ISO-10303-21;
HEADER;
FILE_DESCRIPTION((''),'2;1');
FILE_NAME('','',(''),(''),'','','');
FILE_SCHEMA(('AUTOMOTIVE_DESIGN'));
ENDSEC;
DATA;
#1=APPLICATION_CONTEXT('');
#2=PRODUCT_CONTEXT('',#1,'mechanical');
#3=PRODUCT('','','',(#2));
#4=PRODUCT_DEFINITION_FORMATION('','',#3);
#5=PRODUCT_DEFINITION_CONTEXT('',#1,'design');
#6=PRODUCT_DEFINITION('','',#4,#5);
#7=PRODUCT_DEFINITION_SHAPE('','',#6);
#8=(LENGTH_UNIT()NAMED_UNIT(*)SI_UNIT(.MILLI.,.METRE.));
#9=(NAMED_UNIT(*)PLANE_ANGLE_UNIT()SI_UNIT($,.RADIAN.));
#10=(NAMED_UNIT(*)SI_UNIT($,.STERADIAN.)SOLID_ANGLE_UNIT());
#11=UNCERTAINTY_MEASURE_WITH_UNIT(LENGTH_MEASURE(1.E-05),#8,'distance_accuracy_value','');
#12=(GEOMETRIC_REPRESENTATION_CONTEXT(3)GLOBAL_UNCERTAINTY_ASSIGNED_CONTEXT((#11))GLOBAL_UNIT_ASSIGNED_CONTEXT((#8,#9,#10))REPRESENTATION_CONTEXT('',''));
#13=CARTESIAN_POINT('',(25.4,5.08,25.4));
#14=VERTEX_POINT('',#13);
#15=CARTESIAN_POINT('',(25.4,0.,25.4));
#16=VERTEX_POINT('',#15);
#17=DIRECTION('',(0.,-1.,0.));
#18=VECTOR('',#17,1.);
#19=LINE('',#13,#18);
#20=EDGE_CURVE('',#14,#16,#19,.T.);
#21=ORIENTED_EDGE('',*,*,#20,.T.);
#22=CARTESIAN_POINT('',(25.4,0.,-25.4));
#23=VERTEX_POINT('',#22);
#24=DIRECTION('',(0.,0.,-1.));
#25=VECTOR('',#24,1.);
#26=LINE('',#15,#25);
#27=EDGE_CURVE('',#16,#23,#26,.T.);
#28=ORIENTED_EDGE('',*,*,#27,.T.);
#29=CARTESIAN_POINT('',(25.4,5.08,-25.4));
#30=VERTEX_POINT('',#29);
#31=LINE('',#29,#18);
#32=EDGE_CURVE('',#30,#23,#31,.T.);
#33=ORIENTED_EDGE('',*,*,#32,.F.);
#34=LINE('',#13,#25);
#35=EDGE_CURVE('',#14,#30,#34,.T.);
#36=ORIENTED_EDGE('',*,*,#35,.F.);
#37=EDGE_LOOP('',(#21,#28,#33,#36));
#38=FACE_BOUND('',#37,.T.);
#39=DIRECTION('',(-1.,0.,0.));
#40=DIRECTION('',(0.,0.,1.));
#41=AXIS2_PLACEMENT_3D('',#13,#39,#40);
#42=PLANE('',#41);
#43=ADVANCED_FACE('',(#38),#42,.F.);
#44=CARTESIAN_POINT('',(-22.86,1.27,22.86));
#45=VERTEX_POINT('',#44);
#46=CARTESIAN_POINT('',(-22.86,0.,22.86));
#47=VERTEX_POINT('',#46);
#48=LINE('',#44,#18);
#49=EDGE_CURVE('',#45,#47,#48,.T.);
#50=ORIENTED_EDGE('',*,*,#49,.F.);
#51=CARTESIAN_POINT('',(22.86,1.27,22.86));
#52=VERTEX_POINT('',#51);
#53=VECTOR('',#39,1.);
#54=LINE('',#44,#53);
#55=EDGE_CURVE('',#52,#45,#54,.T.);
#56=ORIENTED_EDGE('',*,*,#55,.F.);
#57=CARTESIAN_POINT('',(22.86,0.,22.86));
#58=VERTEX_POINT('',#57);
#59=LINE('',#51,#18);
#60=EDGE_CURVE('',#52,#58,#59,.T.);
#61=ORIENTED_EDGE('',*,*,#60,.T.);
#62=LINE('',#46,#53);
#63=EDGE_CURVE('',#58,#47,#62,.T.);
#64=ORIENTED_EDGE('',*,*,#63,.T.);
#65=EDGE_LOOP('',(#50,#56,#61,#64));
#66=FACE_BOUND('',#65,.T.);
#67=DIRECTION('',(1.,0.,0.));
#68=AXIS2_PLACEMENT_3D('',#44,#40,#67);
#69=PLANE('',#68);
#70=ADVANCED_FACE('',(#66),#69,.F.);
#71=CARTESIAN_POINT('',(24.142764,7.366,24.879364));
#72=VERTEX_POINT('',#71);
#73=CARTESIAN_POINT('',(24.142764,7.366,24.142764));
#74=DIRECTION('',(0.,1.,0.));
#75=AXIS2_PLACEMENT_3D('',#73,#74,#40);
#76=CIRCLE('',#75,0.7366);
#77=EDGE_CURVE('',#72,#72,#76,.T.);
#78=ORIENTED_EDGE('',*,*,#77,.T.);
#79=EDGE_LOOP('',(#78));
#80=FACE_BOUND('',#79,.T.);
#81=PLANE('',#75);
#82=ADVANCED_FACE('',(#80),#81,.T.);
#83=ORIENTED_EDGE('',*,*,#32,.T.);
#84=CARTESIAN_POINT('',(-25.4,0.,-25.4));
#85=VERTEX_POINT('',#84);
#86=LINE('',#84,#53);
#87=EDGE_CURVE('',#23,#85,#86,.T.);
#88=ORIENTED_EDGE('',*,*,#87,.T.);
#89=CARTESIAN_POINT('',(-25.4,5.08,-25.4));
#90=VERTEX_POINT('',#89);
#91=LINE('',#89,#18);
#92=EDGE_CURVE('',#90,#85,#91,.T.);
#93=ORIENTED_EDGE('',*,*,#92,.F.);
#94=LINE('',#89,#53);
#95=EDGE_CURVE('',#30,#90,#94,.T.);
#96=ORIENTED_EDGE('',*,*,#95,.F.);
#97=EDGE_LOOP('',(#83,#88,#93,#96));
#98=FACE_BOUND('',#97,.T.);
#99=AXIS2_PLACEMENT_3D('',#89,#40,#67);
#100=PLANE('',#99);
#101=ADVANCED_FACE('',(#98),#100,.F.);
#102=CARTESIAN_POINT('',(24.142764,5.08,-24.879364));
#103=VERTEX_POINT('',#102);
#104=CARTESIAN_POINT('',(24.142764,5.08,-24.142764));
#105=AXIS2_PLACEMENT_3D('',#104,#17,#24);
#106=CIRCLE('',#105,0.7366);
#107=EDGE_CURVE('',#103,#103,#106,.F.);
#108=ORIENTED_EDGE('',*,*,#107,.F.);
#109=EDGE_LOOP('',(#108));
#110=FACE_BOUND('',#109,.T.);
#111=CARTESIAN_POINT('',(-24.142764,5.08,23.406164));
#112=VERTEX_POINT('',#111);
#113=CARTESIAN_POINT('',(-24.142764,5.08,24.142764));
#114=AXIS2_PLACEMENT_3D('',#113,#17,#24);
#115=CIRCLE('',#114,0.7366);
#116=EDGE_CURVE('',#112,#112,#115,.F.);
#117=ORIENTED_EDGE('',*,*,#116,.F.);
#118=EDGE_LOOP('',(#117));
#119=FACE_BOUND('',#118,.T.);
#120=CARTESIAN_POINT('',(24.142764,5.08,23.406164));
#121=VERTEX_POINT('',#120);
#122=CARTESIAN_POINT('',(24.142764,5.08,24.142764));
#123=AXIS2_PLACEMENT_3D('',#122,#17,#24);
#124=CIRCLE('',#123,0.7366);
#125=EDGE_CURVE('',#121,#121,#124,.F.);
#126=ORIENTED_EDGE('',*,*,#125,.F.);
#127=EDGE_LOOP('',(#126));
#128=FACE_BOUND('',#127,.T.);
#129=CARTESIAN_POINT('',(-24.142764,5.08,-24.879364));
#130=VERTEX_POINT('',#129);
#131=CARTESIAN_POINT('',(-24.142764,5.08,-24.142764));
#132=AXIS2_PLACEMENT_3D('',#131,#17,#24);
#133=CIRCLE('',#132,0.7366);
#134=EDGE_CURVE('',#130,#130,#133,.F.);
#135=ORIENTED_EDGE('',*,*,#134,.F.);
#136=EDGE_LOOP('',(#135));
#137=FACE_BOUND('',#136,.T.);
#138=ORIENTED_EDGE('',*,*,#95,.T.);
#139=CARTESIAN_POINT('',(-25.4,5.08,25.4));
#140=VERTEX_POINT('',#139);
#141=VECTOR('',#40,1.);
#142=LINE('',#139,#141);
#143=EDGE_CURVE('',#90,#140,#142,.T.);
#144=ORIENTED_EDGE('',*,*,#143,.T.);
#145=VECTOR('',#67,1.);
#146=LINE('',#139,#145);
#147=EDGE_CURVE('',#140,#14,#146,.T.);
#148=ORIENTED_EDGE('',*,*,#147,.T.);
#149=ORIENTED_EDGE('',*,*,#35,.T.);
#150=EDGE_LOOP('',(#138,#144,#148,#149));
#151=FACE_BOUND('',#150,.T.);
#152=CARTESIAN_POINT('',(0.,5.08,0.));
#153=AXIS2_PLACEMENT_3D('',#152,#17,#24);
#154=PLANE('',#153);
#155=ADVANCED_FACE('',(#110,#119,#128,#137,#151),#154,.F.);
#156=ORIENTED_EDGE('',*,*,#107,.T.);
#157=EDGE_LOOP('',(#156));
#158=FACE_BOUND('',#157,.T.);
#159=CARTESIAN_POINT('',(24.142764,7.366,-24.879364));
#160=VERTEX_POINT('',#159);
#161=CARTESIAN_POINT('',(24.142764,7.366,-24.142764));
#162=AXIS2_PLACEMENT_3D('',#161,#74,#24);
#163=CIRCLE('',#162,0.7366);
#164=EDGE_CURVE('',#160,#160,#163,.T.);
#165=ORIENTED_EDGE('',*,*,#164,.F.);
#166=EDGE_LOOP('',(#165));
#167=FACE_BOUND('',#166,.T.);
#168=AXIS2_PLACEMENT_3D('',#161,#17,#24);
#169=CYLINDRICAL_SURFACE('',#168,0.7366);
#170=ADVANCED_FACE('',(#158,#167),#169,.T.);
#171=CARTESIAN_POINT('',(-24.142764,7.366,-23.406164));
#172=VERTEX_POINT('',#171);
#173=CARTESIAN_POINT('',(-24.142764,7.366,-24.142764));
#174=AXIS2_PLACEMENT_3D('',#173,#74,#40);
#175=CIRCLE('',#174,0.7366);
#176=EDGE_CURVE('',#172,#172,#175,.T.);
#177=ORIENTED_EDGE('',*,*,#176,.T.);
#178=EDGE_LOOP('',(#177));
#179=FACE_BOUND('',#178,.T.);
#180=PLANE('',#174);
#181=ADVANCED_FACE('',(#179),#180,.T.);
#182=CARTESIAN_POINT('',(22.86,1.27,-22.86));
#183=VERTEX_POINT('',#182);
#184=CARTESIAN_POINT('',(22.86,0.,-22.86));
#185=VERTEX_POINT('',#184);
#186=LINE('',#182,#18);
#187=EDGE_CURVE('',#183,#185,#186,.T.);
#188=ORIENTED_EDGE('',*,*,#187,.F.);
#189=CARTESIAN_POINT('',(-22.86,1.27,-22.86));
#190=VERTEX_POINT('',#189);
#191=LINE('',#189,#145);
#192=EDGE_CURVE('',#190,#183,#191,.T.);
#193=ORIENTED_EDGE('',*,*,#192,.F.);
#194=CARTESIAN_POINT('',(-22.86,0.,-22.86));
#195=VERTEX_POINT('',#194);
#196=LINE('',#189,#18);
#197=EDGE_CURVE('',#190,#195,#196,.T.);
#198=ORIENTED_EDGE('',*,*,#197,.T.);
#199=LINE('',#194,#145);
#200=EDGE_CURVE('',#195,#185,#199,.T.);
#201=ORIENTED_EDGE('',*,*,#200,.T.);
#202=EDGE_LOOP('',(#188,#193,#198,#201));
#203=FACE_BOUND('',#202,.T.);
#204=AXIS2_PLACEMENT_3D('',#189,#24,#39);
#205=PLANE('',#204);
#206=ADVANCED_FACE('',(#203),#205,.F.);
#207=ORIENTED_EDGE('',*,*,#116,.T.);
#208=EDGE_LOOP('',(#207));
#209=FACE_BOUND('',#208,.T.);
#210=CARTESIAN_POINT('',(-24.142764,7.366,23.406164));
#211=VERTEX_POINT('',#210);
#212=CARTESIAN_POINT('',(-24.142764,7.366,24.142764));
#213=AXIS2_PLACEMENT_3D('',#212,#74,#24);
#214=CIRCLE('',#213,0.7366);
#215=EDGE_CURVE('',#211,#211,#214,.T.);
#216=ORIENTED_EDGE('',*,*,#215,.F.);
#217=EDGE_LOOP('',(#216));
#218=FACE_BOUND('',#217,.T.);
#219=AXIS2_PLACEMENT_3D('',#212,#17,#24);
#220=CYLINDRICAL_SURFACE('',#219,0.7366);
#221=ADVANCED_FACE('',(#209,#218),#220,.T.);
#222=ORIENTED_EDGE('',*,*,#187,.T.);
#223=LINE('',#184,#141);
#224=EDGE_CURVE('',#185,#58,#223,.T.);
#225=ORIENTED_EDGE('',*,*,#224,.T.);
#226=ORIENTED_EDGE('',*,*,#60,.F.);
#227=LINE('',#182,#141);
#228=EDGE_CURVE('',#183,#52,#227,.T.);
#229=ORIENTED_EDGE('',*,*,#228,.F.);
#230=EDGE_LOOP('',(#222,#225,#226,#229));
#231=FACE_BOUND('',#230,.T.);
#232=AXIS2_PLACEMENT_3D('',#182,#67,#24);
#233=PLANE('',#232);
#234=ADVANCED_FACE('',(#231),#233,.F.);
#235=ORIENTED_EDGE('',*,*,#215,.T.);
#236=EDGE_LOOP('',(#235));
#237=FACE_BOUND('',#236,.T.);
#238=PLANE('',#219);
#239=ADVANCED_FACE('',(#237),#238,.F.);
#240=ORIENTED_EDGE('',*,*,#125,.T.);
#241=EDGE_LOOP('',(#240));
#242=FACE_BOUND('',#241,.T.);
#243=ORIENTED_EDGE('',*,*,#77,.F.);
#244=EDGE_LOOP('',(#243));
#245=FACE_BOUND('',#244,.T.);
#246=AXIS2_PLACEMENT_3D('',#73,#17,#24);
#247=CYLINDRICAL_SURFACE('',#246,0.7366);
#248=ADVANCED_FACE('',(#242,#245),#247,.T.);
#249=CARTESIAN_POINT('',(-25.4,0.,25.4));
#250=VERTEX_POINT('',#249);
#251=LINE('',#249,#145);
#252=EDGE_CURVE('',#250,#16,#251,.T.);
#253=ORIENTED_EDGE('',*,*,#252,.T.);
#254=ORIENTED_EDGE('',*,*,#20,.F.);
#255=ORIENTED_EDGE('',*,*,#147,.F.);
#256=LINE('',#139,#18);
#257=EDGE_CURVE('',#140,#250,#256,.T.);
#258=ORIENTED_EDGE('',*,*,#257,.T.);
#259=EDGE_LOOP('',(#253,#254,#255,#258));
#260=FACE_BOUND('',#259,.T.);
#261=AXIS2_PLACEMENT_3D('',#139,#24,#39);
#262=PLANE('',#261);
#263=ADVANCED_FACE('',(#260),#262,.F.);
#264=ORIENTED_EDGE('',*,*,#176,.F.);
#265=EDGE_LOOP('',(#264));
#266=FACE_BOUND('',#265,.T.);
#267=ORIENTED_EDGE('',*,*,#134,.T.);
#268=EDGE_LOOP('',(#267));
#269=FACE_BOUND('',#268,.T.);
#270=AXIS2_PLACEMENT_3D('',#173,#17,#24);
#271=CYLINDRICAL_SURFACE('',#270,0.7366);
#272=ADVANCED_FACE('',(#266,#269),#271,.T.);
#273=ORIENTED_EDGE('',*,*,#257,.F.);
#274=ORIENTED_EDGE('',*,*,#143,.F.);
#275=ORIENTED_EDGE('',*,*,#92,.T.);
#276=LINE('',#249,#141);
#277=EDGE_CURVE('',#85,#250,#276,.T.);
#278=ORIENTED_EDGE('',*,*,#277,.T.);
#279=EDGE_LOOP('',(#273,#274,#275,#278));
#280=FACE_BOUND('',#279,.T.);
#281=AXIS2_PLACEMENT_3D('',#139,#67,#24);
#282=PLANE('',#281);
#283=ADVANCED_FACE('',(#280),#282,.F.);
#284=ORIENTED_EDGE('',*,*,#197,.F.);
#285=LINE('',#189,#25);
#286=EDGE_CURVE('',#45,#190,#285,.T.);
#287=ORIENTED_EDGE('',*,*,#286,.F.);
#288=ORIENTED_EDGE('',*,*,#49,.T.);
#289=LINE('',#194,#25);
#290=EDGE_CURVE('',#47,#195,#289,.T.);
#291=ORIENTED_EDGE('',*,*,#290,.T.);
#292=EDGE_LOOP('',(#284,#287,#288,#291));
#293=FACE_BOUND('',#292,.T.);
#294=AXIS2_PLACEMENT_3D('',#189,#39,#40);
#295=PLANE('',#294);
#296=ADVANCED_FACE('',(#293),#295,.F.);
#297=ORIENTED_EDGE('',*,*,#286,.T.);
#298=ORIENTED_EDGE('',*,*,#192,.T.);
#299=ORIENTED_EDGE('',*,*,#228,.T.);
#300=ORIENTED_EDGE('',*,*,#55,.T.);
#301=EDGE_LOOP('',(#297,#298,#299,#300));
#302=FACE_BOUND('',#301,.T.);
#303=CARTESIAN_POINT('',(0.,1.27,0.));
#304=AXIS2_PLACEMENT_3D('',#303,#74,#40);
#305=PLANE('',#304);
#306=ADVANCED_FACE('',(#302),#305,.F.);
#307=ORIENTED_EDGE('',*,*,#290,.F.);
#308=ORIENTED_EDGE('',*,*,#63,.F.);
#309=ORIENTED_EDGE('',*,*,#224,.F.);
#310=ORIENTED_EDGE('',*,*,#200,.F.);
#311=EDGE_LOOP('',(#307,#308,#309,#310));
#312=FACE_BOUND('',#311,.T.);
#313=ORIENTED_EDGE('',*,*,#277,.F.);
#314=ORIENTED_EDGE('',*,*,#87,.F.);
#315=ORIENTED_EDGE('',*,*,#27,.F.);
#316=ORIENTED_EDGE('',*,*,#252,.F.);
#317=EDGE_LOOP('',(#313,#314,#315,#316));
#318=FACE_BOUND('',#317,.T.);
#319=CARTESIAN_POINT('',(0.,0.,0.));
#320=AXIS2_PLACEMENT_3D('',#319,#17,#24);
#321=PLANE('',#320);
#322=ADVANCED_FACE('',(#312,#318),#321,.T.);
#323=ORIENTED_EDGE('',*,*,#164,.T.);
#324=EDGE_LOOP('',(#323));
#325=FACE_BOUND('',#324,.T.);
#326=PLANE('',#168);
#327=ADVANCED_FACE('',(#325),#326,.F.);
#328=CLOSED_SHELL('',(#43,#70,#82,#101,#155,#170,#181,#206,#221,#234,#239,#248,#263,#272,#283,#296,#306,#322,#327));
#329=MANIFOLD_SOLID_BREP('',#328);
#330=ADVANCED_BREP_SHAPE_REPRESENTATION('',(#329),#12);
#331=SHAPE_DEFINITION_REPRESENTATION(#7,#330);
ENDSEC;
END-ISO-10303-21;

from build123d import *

# Parameters (mm, degrees)
SKETCH1_W           = 50.8
SKETCH1_H           = 50.8
BOSS_EXTRUDE1_DEPTH = 5.08
SKETCH11_R          = 0.7366
BOSS_EXTRUDE2_DEPTH = 2.286
SKETCH12_W          = 45.72
SKETCH12_H          = 45.72
CUT_EXTRUDE1_DEPTH  = 1.27


with BuildPart() as part:
    # Sketch1 → Boss-Extrude1 (new body)
    with BuildSketch(Plane(origin=(0, 0, 0), x_dir=(1, 0, 0), z_dir=(0, 1, 0))):
        Rectangle(SKETCH1_W, SKETCH1_H)
    extrude(amount=BOSS_EXTRUDE1_DEPTH)

    # Sketch11 → Boss-Extrude2 (add)
    with BuildSketch(Plane(origin=(0, 5.08, 0), x_dir=(1, 0, 0), z_dir=(0, 1, 0))):
        with Locations(Location((-24.142764143, 24.142764143, 0), (0, 0, 90))):
            Circle(SKETCH11_R)
        with Locations(Location((24.142764143, 24.142764143, 0), (0, 0, 90))):
            Circle(SKETCH11_R)
        with Locations(Location((24.142764143, -24.142764143, 0), (0, 0, 90))):
            Circle(SKETCH11_R)
        with Locations(Location((-24.142764143, -24.142764143, 0), (0, 0, 90))):
            Circle(SKETCH11_R)
    extrude(amount=BOSS_EXTRUDE2_DEPTH)

    # Sketch12 → Cut-Extrude1 (cut)
    with BuildSketch(Plane.XZ):
        Rectangle(SKETCH12_W, SKETCH12_H)
    extrude(amount=-CUT_EXTRUDE1_DEPTH, mode=Mode.SUBTRACT)


solid = part.part
